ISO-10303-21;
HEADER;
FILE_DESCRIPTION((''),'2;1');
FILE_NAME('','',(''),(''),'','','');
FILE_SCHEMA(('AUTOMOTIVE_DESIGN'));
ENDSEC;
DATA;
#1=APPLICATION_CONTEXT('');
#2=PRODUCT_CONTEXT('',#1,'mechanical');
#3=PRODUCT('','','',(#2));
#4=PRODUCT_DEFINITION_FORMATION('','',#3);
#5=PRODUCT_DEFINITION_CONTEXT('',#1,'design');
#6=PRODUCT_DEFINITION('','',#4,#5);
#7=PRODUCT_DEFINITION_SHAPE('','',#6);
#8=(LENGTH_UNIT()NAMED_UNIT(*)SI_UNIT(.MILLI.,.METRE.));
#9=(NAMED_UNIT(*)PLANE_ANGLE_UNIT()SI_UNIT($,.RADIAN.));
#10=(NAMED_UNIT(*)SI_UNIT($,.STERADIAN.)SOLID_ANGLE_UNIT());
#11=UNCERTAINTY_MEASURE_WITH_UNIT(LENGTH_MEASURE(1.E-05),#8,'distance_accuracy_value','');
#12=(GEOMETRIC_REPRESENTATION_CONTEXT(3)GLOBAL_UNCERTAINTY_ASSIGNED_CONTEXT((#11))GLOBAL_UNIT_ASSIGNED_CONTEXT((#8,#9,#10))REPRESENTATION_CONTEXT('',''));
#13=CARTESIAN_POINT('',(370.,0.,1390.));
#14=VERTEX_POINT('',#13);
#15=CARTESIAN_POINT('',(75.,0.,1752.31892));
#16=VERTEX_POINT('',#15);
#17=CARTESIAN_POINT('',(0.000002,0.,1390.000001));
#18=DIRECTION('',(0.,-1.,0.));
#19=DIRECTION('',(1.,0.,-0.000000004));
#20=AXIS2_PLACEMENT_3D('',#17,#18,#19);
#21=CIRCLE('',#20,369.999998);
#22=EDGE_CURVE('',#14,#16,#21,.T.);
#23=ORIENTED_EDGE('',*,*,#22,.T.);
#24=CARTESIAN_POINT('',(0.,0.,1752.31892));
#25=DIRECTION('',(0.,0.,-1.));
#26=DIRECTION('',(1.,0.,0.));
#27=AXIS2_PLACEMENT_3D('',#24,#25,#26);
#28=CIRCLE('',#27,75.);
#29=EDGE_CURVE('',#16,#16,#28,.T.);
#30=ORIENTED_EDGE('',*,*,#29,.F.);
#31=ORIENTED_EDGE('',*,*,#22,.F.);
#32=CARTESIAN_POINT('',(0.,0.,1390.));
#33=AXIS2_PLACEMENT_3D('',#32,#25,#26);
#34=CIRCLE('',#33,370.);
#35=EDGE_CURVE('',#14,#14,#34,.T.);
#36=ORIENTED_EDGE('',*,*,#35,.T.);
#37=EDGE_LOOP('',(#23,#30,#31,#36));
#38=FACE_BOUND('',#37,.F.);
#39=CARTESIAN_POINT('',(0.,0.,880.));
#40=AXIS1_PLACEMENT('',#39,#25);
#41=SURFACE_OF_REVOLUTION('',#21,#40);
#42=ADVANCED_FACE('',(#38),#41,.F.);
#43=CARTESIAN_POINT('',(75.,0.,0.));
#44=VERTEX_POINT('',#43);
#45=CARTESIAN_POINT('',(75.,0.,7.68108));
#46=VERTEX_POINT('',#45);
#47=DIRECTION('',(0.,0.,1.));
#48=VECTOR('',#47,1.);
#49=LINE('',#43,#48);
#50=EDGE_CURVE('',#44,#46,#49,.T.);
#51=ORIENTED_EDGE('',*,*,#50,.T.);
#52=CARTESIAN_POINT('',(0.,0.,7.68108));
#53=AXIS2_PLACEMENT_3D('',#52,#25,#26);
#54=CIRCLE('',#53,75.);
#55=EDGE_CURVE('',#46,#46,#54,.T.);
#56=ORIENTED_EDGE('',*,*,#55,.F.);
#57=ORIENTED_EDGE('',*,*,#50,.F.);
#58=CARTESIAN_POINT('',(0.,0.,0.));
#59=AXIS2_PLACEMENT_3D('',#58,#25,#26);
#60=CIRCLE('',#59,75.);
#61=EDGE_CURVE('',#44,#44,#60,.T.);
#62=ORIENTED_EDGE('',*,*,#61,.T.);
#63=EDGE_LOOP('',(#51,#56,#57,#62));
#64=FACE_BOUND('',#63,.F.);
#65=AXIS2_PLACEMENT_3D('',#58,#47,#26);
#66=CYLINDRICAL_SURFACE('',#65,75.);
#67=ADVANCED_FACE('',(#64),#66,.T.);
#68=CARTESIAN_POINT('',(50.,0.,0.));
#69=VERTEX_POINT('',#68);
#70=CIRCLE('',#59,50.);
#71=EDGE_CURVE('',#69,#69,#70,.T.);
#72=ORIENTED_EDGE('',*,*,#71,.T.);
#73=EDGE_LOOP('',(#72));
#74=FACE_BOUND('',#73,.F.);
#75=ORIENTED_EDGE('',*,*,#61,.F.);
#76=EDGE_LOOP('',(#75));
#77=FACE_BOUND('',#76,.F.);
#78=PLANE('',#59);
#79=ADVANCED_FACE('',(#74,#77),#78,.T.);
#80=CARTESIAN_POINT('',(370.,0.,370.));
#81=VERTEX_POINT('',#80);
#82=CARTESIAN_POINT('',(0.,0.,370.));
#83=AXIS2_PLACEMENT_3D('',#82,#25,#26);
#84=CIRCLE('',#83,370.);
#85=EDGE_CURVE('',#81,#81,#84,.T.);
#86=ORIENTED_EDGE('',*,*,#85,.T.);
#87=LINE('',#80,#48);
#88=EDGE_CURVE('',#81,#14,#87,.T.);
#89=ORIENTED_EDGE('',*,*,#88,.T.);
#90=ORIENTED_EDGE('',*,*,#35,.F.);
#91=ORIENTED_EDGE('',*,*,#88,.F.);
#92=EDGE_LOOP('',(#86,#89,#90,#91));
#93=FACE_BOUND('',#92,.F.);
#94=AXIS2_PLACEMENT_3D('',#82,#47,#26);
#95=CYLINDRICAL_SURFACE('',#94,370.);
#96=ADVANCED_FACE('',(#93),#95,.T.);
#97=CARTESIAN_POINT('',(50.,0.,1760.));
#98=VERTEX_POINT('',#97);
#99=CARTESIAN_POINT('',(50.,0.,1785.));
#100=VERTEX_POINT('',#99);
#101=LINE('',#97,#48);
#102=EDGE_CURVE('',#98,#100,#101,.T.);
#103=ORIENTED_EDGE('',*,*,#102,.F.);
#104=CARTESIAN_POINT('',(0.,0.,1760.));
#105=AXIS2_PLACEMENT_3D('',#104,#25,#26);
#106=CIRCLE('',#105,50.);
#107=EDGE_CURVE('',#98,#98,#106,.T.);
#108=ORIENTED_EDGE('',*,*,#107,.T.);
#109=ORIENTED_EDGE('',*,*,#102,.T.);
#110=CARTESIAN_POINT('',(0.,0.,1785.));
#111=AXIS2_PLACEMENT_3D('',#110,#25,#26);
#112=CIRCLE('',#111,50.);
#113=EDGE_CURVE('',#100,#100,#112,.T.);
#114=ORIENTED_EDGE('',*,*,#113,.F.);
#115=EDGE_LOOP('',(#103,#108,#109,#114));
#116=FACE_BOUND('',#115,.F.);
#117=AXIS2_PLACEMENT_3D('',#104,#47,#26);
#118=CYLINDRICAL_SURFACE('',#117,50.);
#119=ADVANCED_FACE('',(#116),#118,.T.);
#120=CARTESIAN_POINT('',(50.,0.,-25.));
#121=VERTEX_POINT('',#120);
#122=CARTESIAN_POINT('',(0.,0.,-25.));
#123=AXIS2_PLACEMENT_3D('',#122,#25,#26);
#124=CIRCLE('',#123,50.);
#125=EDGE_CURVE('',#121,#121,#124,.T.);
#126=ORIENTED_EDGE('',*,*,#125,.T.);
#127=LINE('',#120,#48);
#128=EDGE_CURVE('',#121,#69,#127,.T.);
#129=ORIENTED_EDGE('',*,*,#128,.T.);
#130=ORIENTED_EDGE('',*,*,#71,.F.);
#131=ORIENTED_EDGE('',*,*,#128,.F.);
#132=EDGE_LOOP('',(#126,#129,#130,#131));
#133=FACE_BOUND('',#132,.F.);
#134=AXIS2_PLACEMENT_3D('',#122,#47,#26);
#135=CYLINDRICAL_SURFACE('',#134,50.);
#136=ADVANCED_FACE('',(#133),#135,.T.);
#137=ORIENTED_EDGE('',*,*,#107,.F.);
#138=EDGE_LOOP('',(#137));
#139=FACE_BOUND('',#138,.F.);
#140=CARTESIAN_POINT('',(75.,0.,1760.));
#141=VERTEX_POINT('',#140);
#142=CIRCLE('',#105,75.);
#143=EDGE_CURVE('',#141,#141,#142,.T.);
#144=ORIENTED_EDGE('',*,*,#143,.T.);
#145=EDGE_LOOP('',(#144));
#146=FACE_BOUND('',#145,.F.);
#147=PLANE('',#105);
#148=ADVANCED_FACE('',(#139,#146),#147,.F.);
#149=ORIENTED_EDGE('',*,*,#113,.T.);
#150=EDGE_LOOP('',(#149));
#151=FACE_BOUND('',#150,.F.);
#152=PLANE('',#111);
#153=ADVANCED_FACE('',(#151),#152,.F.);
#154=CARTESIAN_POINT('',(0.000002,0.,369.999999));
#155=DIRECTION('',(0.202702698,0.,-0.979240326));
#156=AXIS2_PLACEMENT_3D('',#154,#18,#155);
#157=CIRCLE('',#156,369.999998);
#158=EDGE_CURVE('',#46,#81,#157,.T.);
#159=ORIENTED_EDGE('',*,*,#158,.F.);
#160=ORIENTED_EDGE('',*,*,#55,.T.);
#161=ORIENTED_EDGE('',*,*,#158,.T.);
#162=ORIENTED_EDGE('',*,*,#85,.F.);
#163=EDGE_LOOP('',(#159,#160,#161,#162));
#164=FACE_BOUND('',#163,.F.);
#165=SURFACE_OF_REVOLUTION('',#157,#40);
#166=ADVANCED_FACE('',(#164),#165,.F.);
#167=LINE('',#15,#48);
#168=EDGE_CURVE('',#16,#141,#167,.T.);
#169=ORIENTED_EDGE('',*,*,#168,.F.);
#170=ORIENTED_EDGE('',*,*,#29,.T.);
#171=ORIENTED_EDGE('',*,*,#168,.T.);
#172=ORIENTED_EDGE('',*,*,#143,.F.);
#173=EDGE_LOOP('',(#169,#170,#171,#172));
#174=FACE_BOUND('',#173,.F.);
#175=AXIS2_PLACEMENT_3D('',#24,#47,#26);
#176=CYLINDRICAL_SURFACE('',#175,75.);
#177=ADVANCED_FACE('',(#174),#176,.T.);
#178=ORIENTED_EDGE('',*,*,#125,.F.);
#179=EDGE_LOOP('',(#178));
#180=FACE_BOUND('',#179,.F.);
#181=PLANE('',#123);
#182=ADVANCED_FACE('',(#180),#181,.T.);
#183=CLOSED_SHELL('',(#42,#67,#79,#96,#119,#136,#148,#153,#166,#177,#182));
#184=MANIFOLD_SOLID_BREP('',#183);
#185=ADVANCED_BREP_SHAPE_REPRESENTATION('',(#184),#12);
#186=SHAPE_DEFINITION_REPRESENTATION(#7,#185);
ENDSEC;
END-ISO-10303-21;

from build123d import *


with BuildPart() as f1:
    # F0 (on Front) → F1 (revolve)
    with BuildSketch(Plane.XZ):
        with BuildLine():
            Line((75, 0), (75, 7.68108))
            ThreePointArc((75, 7.68108), (286.923335, 136.387072), (370, 370))
            Line((370, 370), (370, 1390))
            ThreePointArc((370, 1390), (286.923335, 1623.612928), (75, 1752.31892))
            Line((75, 1752.31892), (75, 1760))
            Line((75, 1760), (50, 1760))
            Line((50, 1760), (50, 1785))
            Line((50, 1785), (0, 1785))
            Line((0, 1785), (0, 1760))
            Line((0, 1760), (0, 0))
            Line((0, 0), (0, -25))
            Line((0, -25), (50, -25))
            Line((50, -25), (50, 0))
            Line((50, 0), (75, 0))
        make_face()
    revolve(axis=Axis((0, 0, 880), (0, 0, -1)))


solid = f1.part
